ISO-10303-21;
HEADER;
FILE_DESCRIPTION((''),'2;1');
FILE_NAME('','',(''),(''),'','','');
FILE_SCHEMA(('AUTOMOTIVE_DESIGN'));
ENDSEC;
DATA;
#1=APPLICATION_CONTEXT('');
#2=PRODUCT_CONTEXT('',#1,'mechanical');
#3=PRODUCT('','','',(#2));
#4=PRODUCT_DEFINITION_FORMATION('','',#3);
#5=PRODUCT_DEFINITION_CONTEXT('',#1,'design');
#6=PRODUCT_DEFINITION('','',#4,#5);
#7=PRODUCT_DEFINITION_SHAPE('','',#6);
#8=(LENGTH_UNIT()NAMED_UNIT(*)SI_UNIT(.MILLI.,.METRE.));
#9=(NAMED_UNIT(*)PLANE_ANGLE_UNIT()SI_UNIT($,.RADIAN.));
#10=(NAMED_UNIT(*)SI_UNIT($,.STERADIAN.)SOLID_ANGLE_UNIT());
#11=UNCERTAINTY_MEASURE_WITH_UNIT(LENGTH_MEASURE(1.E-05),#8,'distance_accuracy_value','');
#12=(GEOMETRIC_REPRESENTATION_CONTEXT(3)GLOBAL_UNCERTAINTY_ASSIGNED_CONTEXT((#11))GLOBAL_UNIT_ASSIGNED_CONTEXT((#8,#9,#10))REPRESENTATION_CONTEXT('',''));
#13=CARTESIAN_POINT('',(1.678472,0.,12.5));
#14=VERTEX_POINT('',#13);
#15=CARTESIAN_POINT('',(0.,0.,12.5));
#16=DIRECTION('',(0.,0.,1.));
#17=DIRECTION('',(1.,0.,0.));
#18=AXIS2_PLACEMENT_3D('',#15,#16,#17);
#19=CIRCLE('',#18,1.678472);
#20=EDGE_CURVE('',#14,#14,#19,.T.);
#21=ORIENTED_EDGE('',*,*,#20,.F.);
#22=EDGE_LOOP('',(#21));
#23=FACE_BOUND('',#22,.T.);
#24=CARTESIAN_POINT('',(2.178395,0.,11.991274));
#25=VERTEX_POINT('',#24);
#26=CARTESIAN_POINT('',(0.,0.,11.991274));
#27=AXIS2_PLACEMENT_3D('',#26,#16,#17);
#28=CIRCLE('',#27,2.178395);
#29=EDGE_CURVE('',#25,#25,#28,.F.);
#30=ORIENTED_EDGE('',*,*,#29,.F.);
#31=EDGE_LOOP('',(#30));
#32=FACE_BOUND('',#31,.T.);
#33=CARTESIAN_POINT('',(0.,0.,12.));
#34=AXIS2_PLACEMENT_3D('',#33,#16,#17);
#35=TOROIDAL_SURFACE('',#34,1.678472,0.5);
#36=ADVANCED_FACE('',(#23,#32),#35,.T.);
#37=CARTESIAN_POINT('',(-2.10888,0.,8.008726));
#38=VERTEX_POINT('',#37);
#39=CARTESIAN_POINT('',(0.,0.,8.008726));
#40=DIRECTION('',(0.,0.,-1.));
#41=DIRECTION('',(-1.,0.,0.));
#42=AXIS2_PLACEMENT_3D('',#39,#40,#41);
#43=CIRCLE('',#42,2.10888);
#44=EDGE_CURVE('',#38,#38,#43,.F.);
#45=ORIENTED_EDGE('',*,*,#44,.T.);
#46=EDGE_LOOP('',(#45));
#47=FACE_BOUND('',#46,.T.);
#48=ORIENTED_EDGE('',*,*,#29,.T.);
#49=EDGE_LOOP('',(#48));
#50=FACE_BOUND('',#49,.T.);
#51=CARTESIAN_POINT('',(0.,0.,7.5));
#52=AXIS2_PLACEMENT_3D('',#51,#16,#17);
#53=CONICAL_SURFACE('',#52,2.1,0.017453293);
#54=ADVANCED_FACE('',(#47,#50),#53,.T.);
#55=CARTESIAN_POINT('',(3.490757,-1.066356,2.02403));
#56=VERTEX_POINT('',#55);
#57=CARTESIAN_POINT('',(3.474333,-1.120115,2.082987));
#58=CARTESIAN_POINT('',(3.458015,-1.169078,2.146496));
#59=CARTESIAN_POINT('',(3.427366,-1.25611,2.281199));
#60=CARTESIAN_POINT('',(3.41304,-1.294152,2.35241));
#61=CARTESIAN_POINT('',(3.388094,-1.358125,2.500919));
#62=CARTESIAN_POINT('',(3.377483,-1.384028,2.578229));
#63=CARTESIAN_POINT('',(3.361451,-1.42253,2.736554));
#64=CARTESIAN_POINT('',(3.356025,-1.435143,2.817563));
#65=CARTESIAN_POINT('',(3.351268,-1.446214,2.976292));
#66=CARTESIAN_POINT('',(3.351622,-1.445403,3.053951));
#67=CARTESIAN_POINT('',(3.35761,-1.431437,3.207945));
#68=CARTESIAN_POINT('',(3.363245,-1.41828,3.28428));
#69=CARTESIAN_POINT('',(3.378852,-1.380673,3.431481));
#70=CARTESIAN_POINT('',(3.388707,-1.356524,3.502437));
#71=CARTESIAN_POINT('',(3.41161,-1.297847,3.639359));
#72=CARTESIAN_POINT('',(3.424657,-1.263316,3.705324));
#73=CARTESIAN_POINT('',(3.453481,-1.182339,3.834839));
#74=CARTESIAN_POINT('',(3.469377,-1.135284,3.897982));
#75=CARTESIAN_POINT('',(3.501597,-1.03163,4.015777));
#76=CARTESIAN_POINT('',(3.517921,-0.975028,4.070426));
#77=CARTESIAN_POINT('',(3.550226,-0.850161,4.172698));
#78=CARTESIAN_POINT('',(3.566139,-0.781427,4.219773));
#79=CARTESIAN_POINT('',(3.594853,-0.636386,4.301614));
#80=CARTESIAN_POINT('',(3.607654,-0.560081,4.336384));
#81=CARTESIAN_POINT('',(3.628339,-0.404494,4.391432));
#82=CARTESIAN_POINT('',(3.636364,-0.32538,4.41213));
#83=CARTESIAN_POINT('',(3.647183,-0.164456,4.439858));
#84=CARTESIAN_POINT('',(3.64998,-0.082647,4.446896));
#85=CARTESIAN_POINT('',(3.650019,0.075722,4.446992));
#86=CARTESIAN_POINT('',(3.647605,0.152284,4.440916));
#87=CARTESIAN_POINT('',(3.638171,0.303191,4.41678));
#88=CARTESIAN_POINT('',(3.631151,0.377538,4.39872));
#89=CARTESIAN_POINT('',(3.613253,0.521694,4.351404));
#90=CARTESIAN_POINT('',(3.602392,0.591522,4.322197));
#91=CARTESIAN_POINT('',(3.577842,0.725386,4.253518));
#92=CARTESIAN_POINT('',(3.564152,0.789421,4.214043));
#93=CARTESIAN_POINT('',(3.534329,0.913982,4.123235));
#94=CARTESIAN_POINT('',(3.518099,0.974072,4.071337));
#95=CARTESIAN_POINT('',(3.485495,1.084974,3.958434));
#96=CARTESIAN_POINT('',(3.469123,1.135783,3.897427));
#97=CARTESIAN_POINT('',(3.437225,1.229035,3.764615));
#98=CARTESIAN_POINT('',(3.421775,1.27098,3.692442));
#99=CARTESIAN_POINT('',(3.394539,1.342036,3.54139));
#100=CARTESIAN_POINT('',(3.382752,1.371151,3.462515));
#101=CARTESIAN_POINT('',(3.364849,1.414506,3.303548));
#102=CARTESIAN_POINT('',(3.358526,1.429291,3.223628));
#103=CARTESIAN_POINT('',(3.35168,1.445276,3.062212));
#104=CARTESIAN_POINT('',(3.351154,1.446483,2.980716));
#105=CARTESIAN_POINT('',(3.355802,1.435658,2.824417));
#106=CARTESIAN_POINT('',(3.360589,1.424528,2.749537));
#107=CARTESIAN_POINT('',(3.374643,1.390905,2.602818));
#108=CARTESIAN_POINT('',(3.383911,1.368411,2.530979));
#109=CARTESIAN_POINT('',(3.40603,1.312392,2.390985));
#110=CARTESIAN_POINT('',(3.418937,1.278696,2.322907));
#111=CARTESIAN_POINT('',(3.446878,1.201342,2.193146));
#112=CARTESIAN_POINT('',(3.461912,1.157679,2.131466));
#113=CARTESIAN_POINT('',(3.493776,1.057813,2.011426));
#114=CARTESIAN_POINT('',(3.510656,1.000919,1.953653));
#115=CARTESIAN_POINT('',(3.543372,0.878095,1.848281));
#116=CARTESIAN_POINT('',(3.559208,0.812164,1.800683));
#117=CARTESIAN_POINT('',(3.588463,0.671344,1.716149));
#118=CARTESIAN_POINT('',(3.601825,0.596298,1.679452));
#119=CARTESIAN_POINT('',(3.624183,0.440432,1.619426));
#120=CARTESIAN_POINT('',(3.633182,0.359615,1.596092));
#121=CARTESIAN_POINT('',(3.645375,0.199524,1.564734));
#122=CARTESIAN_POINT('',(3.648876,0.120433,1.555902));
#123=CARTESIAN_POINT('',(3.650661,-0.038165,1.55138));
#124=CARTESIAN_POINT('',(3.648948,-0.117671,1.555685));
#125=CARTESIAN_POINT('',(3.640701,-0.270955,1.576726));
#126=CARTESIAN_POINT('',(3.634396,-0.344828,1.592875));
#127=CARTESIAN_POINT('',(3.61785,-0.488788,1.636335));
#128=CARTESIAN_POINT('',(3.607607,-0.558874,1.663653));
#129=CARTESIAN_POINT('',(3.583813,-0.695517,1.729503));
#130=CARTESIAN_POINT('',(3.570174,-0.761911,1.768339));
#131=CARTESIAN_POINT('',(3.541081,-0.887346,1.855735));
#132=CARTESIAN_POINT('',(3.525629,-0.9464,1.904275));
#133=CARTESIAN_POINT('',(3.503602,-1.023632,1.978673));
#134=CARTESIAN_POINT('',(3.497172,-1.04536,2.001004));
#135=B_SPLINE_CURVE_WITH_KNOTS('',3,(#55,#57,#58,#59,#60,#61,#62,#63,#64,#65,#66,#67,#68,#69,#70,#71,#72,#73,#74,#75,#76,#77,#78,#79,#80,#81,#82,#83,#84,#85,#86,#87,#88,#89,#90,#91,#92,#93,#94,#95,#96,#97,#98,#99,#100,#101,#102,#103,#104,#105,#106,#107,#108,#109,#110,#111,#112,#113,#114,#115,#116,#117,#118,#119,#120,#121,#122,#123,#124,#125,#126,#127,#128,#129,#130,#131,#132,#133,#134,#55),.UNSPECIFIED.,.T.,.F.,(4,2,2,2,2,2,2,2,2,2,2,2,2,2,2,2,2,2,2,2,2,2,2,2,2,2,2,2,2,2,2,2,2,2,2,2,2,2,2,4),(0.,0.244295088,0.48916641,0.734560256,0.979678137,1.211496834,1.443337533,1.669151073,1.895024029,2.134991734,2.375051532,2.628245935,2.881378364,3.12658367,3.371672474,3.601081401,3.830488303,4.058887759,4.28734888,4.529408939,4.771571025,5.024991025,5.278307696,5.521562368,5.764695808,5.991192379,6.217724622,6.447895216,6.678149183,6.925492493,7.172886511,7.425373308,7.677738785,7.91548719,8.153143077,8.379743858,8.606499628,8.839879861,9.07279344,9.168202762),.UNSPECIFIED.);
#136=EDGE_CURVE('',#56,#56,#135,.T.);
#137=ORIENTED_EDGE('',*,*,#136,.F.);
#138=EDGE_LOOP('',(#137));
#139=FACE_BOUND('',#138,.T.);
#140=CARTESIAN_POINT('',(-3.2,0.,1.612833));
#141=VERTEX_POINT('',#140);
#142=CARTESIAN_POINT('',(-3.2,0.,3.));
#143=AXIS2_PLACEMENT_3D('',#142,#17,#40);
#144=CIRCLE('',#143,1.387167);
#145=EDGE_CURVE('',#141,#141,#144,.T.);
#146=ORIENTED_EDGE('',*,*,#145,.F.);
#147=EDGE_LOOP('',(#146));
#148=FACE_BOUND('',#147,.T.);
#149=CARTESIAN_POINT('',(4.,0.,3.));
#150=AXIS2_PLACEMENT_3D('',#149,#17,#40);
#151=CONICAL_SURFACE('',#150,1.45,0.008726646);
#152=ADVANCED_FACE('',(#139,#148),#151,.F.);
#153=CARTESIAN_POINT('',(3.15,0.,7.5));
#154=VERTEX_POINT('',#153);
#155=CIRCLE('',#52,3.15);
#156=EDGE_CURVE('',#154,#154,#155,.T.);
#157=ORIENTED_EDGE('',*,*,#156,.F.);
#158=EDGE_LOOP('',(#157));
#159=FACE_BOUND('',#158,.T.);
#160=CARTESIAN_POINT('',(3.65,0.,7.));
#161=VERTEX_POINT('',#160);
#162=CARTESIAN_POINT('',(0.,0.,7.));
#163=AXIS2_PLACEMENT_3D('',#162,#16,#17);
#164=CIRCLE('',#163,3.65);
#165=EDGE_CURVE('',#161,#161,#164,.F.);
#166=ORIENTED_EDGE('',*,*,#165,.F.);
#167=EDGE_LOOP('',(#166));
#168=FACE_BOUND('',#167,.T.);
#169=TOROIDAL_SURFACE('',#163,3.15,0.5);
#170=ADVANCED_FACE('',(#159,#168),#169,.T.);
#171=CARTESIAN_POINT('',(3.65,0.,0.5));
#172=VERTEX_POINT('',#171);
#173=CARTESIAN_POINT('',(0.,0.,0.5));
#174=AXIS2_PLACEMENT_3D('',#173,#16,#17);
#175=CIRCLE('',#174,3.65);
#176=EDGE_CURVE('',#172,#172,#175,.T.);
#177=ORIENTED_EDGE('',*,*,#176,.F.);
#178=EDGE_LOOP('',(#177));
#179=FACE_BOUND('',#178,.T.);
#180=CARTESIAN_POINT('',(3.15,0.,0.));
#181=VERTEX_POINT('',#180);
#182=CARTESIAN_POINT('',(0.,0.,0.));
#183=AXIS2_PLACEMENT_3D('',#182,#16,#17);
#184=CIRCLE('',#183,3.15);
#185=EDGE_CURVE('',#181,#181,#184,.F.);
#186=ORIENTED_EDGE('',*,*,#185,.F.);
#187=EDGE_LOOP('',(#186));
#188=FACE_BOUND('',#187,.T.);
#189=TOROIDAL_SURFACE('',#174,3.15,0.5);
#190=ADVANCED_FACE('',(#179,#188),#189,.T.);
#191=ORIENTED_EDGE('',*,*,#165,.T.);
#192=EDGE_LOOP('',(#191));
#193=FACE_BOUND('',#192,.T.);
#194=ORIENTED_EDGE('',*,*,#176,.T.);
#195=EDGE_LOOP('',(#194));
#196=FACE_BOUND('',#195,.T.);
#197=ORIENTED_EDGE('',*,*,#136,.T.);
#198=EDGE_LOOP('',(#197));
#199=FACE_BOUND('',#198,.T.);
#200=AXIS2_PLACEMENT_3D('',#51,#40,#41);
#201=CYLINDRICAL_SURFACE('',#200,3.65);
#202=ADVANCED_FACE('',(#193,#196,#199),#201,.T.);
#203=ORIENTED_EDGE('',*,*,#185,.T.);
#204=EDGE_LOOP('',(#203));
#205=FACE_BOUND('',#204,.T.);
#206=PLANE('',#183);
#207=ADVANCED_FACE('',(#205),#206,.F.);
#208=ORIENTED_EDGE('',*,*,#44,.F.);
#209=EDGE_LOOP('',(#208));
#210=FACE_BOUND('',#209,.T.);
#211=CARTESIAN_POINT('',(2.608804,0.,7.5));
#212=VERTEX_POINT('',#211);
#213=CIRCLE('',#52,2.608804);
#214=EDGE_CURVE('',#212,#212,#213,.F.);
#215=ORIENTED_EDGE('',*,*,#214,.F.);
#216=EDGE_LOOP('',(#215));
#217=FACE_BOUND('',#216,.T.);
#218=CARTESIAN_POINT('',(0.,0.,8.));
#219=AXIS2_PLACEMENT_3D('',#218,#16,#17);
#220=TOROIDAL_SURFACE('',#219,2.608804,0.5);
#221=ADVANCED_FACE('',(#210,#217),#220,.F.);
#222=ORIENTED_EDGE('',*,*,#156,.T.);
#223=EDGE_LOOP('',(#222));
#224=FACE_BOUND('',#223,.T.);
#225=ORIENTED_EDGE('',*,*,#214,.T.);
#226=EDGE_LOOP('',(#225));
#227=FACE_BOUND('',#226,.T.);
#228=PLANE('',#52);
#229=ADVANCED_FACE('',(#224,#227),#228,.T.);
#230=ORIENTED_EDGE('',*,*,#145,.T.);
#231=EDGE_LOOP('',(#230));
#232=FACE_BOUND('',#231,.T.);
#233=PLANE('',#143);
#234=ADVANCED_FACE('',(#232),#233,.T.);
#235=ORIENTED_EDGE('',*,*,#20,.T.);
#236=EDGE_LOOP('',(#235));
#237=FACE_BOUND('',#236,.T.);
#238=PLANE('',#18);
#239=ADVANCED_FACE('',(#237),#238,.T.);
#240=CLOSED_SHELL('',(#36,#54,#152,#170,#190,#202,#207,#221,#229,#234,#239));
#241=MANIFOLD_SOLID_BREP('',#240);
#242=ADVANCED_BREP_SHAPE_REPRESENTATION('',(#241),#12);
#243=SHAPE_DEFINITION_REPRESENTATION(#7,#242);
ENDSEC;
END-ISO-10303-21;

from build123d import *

# Parameters (mm, degrees)
ESQUISSE1_R             = 3.65
BOSS_EXTRU_1_DEPTH      = 7.5
ESQUISSE2_R             = 1.45
ENL_V_MAT_EXTRU_1_DEPTH = 7.2
ENL_V_MAT_EXTRU_1_DRAFT = -0.5
ESQUISSE3_R             = 2.1
BOSS_EXTRU_2_DEPTH      = 5
BOSS_EXTRU_2_DRAFT      = -1
CONG_2_R                = 0.5


with BuildPart() as part:
    # Esquisse1 → Boss.-Extru.1 (new body)
    with BuildSketch(Plane.XY):
        Circle(ESQUISSE1_R)
    extrude(amount=BOSS_EXTRU_1_DEPTH)


with BuildPart() as enl_v_mat_extru_1_tool:
    # Esquisse2 → Enlèv. mat.-Extru.1 (with draft: the straight prism first)
    with BuildSketch(Plane(origin=(4, 0, 0), x_dir=(0, 0, -1), z_dir=(1, 0, 0))):
        with Locations((-3, 0)):
            Circle(ESQUISSE2_R)
    extrude(amount=-ENL_V_MAT_EXTRU_1_DEPTH)
    # Enlèv. mat.-Extru.1: the draft: its side faces are tilted about the plane it starts from
    enl_v_mat_extru_1_sides = [enl_v_mat_extru_1_tool.faces().sort_by_distance(p)[0] for p in [
        (0.4, 0, 4.45),
    ]]
    draft(enl_v_mat_extru_1_sides, Plane(origin=(4, 0, 0), x_dir=(0, 0, -1), z_dir=(1, 0, 0)), ENL_V_MAT_EXTRU_1_DRAFT)


with BuildPart() as part_1:
    add(part.part)

    # Enlèv. mat.-Extru.1: cut by enl_v_mat_extru_1_tool
    add(enl_v_mat_extru_1_tool.part, mode=Mode.SUBTRACT)


with BuildPart() as boss_extru_2_tool:
    # Esquisse3 → Boss.-Extru.2 (with draft: the straight prism first)
    with BuildSketch(Plane.XY.offset(7.5)):
        Circle(ESQUISSE3_R)
    extrude(amount=BOSS_EXTRU_2_DEPTH)
    # Boss.-Extru.2: the draft: its side faces are tilted about the plane it starts from
    boss_extru_2_sides = [boss_extru_2_tool.faces().sort_by_distance(p)[0] for p in [
        (-2.1, 0, 10),
    ]]
    draft(boss_extru_2_sides, Plane.XY.offset(7.5), BOSS_EXTRU_2_DRAFT)


with BuildPart() as part_2:
    add(part_1.part)

    # Boss.-Extru.2: add boss_extru_2_tool
    add(boss_extru_2_tool.part)

    # Congé2
    cong_2_edges = [part_2.edges().sort_by_distance(p)[0] for p in [
        (-2.1, 0, 7.5),
        (-2.187275325, 0, 12.5),
        (-3.65, 0, 0),
        (-3.65, 0, 7.5),
    ]]
    fillet(cong_2_edges, radius=CONG_2_R)


solid = part_2.part
